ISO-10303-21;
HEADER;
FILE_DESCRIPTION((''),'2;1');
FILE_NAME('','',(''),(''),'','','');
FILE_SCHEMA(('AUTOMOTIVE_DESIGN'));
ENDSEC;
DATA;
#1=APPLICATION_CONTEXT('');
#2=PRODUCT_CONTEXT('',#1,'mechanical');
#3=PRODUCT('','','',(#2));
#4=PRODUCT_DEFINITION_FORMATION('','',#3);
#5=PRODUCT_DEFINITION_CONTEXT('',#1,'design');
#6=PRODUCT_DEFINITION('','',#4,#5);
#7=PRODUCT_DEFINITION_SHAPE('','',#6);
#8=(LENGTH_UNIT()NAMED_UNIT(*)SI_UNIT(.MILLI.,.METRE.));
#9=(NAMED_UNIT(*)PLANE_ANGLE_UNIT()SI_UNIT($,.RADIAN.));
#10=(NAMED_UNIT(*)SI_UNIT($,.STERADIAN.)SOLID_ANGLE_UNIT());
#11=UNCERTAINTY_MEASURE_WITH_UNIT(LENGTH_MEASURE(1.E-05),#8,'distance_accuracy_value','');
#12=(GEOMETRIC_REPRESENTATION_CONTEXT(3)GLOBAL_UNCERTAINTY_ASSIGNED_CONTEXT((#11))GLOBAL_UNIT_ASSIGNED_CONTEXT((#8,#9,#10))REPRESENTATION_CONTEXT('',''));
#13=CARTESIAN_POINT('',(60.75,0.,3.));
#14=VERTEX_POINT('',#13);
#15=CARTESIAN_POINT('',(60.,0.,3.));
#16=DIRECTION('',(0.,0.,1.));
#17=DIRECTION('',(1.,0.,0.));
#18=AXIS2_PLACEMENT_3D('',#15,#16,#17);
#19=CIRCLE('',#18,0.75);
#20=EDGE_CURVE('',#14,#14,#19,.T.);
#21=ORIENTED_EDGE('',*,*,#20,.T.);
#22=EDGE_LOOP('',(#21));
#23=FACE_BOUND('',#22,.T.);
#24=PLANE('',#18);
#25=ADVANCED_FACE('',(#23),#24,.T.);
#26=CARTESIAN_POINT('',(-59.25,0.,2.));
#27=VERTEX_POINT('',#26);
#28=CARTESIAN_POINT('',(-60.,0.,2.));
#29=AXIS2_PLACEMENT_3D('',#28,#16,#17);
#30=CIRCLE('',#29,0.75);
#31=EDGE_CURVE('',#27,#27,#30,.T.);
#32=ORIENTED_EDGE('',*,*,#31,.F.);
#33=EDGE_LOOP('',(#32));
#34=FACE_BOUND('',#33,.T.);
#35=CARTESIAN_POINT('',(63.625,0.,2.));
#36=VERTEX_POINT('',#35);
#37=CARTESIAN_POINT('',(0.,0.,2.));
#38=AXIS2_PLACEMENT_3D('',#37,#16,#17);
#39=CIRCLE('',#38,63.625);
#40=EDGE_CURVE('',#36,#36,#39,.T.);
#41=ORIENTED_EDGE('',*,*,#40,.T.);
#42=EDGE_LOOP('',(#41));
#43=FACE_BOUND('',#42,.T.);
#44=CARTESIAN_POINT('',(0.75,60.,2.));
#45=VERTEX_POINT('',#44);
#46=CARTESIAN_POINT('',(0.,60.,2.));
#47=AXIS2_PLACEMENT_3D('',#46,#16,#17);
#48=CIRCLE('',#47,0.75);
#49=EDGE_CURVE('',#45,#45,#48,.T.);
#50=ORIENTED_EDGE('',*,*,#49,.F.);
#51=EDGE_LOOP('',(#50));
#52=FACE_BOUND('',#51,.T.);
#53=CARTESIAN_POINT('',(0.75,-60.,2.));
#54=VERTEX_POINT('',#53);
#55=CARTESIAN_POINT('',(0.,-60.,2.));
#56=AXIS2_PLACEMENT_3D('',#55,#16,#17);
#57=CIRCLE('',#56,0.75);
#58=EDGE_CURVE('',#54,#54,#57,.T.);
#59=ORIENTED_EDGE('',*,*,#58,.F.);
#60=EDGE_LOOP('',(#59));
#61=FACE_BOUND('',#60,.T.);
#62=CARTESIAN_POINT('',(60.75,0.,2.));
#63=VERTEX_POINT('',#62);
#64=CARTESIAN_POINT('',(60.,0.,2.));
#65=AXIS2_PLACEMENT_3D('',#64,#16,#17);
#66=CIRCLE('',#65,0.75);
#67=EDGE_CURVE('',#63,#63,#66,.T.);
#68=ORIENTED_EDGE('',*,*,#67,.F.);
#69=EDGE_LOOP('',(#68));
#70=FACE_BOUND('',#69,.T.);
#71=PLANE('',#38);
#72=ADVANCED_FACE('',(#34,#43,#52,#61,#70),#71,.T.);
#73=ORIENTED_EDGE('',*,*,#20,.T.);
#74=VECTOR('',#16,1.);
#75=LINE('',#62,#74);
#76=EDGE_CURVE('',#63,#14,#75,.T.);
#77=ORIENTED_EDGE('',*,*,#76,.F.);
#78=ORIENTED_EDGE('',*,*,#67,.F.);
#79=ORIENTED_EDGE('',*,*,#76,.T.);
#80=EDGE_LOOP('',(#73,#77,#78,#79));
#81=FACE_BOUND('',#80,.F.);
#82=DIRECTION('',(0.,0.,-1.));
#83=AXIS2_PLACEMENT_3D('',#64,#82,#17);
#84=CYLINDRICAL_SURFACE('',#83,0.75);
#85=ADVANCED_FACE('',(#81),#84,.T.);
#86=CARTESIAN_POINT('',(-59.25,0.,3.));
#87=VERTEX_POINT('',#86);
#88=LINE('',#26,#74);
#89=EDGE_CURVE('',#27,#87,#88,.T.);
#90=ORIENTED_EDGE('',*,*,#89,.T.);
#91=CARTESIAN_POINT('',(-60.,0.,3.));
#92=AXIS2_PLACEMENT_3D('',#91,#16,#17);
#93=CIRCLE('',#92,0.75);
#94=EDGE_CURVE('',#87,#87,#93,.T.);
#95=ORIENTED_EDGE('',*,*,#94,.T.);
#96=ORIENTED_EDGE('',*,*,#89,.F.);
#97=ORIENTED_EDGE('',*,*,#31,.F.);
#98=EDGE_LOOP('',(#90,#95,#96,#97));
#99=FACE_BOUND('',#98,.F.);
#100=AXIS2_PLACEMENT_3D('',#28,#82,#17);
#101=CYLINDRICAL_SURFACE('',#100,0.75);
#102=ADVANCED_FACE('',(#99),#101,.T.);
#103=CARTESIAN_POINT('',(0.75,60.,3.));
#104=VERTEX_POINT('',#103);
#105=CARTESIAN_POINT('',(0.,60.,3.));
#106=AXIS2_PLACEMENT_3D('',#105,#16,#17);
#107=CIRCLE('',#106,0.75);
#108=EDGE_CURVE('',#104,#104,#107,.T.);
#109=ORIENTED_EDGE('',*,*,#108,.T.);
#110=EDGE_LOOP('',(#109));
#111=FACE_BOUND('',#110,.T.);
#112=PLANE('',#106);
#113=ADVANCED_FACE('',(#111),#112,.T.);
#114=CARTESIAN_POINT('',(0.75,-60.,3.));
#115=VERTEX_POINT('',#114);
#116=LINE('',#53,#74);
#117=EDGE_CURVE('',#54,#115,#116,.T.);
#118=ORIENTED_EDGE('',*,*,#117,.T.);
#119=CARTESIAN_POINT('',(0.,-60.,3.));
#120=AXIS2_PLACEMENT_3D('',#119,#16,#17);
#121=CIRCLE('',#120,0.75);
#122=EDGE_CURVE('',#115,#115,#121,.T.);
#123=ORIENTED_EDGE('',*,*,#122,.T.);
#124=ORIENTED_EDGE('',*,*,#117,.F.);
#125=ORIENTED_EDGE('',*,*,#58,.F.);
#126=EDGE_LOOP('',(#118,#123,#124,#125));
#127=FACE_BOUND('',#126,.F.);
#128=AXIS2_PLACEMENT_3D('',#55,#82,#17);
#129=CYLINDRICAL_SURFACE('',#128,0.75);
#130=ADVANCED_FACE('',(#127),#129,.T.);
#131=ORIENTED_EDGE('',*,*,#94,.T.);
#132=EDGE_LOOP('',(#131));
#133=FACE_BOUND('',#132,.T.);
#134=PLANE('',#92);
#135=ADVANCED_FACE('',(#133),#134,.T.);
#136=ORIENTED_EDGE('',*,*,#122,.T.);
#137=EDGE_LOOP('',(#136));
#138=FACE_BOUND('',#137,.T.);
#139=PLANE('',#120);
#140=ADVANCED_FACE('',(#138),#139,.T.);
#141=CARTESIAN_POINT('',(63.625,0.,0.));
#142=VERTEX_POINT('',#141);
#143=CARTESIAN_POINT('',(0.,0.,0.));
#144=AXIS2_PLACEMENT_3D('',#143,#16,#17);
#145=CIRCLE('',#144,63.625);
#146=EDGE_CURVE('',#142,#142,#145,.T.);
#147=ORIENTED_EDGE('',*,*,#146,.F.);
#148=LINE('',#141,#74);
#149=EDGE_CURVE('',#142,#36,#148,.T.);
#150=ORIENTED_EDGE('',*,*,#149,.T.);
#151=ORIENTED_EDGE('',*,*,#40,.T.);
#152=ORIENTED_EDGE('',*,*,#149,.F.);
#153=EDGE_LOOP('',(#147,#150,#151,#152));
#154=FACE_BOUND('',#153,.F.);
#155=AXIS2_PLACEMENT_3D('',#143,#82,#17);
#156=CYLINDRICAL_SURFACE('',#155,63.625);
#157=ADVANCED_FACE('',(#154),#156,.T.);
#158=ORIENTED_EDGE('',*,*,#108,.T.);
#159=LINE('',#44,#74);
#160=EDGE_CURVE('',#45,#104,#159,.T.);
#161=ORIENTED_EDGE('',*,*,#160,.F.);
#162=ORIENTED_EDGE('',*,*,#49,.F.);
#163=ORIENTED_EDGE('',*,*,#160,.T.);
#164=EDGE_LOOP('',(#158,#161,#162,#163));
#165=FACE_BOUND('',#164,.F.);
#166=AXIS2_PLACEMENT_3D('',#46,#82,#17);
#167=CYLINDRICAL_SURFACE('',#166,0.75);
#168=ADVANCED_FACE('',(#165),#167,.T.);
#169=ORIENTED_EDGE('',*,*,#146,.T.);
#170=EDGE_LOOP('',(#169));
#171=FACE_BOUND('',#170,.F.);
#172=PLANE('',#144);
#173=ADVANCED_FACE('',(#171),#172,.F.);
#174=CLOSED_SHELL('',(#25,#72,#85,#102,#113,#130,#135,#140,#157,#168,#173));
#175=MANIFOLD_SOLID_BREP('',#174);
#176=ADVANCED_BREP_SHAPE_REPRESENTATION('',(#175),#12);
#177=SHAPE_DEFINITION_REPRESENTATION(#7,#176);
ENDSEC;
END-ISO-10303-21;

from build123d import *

# Parameters (mm, degrees)
F0_R     = 63.625
F1_DEPTH = 2
F2_R     = 0.75
F3_DEPTH = 1


with BuildPart() as f1:
    # F0 (on Top) → F1 (new body)
    with BuildSketch(Plane.XY):
        Circle(F0_R)
    extrude(amount=F1_DEPTH)

    # F2 (on face) → F3 (join)
    with BuildSketch(Plane.XY.offset(2)):
        with Locations((0, 60)):
            Circle(F2_R)
        with Locations((-60, 0)):
            Circle(F2_R)
        with Locations((0, -60)):
            Circle(F2_R)
        with Locations((60, 0)):
            Circle(F2_R)
    extrude(amount=F3_DEPTH)


solid = f1.part
